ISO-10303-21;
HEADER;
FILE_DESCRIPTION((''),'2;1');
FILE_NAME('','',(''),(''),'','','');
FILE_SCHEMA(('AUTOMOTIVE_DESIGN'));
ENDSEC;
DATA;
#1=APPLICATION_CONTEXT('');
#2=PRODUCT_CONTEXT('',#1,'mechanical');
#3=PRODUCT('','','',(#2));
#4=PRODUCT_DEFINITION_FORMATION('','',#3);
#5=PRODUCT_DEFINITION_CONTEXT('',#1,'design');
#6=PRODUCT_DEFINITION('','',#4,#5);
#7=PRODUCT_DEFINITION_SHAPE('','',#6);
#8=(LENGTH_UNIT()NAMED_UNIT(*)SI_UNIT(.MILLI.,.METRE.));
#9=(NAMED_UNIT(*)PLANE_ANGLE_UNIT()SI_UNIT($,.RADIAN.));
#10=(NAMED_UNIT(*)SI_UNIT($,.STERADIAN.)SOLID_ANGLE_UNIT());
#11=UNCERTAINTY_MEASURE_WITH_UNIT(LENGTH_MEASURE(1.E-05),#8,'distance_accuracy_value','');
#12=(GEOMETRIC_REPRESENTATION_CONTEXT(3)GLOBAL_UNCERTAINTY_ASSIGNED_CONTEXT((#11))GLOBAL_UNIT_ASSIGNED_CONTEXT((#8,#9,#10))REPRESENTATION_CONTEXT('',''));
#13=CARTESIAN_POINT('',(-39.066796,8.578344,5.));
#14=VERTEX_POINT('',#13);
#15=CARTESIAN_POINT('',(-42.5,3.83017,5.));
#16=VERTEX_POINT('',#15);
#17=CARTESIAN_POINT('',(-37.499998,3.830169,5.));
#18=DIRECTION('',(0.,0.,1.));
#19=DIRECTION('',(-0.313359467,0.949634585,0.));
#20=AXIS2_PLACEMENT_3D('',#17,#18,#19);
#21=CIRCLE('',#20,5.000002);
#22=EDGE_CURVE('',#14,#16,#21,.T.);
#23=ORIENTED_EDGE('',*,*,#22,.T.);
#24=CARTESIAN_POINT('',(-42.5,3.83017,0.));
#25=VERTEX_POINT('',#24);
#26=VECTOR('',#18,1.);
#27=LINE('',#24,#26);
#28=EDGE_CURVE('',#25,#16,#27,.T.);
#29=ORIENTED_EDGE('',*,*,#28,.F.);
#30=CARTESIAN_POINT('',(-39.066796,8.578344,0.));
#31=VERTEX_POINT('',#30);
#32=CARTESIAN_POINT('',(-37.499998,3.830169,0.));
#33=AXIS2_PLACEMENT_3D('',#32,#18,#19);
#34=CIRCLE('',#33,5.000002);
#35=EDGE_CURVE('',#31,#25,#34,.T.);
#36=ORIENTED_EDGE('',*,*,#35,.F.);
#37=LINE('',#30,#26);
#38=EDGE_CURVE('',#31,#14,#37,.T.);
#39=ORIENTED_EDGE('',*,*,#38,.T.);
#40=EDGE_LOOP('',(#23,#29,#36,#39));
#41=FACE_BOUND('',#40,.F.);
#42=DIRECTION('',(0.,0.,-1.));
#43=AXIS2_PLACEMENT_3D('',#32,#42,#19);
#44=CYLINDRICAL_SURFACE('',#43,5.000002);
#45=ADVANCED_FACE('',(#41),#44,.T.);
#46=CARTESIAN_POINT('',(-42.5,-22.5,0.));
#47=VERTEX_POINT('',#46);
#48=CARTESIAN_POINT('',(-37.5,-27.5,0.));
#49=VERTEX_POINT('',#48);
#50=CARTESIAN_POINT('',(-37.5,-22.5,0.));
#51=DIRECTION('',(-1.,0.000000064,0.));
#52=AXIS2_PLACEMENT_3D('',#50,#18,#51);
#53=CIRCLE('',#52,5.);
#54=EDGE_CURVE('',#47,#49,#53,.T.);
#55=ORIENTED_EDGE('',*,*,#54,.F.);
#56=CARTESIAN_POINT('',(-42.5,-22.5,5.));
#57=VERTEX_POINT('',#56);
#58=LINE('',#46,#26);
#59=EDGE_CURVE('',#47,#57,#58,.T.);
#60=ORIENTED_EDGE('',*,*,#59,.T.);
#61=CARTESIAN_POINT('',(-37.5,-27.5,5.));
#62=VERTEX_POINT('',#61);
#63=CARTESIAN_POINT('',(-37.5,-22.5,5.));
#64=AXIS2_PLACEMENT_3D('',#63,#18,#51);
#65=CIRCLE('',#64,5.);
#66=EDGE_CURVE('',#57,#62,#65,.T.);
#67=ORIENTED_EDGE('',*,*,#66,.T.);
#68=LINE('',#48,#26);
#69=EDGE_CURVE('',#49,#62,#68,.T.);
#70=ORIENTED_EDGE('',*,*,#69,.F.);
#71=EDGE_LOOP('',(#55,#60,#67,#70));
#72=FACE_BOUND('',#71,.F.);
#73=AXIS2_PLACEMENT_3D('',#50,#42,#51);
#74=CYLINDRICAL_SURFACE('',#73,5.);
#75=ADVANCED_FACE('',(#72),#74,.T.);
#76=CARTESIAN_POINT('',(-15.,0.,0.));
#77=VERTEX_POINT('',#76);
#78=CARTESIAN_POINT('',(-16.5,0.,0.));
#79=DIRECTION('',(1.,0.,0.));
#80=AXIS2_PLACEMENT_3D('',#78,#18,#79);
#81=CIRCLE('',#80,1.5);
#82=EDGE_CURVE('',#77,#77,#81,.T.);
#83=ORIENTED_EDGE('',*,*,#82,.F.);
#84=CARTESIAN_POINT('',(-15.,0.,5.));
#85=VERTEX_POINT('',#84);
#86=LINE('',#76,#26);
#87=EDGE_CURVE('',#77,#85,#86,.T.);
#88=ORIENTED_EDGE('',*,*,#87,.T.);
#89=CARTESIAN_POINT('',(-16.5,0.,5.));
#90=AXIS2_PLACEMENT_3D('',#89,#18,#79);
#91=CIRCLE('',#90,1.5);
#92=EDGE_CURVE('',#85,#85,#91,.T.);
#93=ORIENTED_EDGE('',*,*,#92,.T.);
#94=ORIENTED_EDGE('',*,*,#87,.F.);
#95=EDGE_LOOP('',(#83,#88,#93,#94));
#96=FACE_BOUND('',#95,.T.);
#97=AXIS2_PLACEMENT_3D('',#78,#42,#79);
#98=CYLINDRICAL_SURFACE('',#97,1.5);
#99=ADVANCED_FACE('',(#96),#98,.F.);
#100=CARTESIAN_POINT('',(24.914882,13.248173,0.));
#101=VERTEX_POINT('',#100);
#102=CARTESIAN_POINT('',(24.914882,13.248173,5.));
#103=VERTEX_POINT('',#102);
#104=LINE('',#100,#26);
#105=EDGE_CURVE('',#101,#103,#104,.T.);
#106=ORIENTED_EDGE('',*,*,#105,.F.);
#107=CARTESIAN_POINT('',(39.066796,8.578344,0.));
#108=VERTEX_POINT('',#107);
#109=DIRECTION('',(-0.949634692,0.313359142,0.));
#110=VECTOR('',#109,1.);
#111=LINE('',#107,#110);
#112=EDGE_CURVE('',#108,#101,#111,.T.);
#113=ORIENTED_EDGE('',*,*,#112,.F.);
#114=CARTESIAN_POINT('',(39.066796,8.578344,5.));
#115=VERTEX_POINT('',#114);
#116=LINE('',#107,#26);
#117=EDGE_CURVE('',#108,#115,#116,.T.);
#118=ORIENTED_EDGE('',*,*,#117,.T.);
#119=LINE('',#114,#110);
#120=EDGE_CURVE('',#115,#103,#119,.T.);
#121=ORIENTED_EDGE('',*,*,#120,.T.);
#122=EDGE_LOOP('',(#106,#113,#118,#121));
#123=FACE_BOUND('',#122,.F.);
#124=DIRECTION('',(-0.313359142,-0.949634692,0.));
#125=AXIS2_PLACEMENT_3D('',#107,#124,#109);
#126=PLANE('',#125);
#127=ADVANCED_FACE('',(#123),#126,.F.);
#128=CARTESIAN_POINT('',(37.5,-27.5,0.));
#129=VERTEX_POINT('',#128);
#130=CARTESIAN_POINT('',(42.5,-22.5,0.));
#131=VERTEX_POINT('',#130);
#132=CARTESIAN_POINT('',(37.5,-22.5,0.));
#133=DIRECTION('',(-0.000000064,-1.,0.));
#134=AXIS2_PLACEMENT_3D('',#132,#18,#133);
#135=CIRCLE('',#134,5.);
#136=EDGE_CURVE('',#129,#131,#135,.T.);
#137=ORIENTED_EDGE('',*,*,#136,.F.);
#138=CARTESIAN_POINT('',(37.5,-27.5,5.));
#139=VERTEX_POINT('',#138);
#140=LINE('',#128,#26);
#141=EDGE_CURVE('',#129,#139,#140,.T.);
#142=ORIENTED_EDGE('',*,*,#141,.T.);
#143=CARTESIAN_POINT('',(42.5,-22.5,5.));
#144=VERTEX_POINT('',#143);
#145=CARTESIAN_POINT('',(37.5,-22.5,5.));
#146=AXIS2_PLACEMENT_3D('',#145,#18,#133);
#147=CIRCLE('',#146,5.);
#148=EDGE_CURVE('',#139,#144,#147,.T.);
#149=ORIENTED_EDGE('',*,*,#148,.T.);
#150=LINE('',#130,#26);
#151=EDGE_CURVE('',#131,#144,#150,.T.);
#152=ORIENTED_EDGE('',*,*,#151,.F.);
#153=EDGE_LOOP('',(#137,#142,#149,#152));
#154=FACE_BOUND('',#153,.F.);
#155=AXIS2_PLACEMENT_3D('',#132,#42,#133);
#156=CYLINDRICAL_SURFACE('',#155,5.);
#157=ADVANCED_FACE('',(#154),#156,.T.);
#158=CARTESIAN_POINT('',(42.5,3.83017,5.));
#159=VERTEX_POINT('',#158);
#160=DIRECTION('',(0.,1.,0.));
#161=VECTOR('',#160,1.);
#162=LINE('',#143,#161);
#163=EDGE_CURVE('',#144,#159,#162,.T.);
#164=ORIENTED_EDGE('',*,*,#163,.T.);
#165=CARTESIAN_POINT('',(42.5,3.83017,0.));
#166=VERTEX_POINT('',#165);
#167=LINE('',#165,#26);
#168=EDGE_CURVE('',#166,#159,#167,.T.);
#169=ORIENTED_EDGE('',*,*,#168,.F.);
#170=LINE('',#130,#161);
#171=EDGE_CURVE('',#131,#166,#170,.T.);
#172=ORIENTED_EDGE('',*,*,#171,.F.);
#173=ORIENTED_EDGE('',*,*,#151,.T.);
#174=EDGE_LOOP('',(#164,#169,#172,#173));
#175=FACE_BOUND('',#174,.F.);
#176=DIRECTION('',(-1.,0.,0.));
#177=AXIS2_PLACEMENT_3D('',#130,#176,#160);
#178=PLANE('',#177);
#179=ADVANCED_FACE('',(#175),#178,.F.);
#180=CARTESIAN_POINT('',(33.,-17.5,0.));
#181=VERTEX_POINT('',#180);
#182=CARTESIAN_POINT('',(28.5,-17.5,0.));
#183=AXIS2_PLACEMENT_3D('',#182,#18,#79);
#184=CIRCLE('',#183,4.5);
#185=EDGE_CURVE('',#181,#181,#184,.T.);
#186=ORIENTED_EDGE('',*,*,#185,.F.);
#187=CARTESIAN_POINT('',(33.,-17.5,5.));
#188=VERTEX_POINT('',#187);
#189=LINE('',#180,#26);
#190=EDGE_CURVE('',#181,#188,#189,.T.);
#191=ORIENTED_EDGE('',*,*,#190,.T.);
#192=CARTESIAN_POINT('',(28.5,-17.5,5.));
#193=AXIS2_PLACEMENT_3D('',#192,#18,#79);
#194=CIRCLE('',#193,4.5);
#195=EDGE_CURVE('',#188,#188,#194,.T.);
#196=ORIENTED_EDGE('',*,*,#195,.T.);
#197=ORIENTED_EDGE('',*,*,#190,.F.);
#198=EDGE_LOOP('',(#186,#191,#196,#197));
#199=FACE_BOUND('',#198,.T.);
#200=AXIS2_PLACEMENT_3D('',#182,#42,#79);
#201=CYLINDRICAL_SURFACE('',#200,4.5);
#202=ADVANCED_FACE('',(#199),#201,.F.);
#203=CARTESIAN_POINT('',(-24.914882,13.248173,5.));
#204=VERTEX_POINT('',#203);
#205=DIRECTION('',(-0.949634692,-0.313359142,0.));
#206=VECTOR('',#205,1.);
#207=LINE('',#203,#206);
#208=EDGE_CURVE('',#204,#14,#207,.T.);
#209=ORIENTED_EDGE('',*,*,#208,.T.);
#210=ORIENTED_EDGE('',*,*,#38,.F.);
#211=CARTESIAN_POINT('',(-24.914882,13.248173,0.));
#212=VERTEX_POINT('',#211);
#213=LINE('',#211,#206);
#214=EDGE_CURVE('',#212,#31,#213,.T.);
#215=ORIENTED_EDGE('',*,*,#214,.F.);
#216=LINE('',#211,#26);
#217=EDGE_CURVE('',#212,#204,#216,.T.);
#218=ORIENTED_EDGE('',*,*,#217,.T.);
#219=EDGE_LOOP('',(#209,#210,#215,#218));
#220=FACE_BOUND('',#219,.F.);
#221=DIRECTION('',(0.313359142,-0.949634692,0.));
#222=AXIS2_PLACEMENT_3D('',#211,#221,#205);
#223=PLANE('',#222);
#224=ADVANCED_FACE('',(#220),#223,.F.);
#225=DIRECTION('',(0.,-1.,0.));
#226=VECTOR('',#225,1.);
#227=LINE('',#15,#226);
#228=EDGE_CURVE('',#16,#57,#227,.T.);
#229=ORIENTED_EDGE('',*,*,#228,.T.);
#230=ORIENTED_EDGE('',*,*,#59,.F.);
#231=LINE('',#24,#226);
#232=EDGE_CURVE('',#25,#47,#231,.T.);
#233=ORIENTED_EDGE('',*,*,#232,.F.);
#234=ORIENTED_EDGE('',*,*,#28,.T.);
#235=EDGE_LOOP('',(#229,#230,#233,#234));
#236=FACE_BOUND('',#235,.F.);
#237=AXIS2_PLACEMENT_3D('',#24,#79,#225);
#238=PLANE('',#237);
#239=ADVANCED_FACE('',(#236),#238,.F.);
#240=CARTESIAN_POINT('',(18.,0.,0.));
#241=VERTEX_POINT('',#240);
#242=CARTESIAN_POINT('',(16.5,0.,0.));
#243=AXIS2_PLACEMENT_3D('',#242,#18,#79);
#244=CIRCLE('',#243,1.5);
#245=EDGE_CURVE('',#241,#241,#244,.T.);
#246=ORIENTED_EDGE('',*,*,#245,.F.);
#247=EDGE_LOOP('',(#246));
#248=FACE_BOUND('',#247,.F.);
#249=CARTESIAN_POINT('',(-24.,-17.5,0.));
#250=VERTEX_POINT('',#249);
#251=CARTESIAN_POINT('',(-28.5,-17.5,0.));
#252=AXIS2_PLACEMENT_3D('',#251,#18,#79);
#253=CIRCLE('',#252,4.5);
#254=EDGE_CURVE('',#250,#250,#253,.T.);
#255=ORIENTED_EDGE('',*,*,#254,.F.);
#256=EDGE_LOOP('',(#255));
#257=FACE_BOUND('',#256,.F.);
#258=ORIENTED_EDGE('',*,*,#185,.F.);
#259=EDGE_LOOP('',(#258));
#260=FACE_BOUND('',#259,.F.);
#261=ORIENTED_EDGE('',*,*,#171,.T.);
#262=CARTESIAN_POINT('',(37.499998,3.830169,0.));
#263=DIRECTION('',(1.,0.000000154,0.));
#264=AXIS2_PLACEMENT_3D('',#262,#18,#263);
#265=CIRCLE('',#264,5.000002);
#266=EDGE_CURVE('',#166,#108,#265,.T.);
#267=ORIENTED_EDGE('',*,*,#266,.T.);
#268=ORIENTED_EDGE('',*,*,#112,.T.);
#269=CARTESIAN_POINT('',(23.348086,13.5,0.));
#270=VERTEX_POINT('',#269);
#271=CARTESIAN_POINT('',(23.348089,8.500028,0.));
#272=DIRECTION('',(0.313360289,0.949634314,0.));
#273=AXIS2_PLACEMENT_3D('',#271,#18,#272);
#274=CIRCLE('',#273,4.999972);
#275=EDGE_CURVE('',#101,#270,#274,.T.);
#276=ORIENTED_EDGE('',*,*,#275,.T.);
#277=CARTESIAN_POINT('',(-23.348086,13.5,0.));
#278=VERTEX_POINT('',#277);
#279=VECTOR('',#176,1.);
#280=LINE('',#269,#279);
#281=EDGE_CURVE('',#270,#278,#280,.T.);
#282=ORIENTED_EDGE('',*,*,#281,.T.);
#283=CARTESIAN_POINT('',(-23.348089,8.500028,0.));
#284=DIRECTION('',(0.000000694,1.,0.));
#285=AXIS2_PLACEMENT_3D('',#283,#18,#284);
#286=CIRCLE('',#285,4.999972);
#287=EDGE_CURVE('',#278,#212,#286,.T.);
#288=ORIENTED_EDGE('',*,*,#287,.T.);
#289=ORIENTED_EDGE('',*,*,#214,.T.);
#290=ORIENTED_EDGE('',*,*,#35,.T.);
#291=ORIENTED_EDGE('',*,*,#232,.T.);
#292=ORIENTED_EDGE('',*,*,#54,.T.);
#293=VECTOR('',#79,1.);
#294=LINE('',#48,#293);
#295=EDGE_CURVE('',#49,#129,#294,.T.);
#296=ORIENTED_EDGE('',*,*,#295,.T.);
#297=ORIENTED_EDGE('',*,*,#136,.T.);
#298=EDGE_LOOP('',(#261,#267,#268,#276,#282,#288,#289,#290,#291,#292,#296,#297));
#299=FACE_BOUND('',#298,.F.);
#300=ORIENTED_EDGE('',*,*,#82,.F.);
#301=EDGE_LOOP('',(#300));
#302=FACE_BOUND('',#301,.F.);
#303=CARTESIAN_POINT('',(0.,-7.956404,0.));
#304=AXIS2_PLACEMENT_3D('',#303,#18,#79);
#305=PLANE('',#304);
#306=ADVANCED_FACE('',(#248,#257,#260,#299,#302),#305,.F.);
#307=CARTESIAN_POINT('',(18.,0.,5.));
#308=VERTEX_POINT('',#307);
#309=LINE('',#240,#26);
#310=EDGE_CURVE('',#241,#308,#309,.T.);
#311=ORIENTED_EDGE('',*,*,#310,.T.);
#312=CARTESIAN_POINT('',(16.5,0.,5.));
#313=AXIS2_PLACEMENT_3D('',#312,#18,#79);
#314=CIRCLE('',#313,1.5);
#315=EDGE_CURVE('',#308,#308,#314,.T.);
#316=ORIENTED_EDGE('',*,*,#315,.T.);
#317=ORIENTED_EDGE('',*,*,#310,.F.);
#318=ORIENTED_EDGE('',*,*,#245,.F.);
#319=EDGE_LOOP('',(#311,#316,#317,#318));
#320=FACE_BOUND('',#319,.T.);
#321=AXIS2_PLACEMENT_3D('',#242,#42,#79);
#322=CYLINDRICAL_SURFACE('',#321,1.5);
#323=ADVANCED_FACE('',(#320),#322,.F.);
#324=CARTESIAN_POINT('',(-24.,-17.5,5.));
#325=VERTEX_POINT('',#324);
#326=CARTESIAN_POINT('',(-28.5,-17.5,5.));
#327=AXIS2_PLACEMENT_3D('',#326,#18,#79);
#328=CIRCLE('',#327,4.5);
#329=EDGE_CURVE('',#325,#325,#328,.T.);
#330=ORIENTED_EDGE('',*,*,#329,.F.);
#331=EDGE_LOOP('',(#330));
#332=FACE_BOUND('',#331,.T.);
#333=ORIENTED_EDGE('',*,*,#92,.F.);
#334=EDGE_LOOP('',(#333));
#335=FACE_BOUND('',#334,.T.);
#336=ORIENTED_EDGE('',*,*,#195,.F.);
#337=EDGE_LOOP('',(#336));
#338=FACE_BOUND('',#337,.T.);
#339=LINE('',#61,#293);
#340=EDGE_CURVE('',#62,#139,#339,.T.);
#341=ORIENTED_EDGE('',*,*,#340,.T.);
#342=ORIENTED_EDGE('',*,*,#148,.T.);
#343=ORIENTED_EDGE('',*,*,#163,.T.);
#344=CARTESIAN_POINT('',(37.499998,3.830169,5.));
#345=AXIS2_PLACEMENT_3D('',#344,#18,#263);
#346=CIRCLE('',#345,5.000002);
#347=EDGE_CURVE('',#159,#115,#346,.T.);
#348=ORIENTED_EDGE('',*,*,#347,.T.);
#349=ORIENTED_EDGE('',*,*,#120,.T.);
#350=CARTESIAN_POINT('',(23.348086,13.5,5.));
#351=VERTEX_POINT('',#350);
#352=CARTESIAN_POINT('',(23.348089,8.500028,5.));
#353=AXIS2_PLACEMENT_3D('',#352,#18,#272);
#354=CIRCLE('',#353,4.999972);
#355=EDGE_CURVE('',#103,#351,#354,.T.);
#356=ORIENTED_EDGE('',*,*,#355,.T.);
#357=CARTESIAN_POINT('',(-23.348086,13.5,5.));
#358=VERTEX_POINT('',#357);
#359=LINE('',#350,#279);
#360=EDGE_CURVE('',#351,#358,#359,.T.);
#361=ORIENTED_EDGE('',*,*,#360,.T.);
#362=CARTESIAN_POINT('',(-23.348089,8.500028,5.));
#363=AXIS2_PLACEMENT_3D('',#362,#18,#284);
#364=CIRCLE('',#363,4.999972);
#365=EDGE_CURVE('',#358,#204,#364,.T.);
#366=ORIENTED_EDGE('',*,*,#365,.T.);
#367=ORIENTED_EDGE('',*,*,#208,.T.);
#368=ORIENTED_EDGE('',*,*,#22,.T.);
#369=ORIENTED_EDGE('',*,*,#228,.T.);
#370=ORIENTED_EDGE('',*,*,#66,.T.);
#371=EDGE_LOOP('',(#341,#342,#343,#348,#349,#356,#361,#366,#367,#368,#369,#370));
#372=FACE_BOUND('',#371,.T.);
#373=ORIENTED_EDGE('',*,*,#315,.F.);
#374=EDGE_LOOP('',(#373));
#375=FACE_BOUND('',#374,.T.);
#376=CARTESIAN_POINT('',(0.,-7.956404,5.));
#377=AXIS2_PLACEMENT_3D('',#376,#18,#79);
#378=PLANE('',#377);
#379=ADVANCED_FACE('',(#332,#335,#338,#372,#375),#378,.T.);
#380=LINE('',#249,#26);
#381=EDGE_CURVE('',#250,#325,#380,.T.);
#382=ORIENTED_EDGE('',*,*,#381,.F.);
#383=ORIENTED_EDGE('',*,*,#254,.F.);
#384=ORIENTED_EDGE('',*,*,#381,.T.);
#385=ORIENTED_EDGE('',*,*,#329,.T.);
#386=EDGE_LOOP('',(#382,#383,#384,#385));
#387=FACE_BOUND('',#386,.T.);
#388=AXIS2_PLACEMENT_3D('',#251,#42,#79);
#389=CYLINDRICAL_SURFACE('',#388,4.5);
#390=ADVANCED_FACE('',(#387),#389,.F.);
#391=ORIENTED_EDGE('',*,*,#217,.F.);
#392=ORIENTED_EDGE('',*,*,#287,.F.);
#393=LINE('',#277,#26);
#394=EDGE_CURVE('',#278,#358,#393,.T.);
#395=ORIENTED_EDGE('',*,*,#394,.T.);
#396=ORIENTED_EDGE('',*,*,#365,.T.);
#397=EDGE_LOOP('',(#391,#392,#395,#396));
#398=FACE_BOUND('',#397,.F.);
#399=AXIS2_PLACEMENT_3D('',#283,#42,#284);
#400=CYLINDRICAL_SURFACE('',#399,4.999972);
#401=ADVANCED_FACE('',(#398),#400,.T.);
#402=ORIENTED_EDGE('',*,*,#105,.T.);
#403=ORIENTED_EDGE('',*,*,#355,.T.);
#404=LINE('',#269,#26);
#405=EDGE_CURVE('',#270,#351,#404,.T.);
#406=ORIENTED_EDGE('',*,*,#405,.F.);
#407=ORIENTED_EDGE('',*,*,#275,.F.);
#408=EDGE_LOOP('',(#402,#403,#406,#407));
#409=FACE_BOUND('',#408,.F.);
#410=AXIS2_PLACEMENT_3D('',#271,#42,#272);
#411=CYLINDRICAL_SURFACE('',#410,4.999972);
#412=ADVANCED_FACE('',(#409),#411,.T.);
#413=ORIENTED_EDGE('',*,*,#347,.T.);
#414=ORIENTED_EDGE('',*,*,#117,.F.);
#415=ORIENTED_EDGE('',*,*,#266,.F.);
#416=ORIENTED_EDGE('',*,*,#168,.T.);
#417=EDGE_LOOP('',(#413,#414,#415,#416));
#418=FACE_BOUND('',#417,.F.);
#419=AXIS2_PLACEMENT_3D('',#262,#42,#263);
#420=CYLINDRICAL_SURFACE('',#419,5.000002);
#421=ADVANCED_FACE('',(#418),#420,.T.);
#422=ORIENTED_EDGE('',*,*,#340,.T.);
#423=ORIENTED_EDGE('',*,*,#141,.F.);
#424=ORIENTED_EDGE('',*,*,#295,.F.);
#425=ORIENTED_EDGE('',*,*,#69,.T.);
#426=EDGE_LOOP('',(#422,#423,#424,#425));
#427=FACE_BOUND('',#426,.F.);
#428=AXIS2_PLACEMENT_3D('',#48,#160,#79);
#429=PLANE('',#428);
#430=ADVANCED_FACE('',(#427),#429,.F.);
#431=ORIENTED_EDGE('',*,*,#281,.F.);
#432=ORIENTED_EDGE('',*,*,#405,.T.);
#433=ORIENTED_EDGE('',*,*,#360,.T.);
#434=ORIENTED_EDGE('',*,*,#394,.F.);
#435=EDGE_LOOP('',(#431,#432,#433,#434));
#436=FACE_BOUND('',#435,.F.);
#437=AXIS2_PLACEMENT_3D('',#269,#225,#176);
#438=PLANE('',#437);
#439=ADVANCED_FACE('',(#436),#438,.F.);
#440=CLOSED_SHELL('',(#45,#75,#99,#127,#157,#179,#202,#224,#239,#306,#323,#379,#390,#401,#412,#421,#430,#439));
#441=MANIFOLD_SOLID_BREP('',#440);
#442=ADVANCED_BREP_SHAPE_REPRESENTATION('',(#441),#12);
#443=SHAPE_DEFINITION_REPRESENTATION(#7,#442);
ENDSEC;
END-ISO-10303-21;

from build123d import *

# Parameters (mm, degrees)
F0_R     = 4.5
F0_R_2   = 1.5
F1_DEPTH = 5


with BuildPart() as f1:
    # F0 (on Top) → F1 (new body)
    with BuildSketch(Plane.XY):
        with BuildLine():
            Line((-37.5, -27.5), (37.5, -27.5))
            ThreePointArc((37.5, -27.5), (41.035534, -26.035534), (42.5, -22.5))
            Line((42.5, -22.5), (42.5, 3.83017))
            ThreePointArc((42.5, 3.83017), (41.551788, 6.759848), (39.066796, 8.578344))
            Line((39.066796, 8.578344), (24.914882, 13.248173))
            ThreePointArc((24.914882, 13.248173), (24.141539, 13.436642), (23.348086, 13.5))
            Line((23.348086, 13.5), (0, 13.5))
            Line((0, 13.5), (-23.348086, 13.5))
            ThreePointArc((-23.348086, 13.5), (-24.141539, 13.436642), (-24.914882, 13.248173))
            Line((-24.914882, 13.248173), (-39.066796, 8.578344))
            ThreePointArc((-39.066796, 8.578344), (-41.551788, 6.759848), (-42.5, 3.83017))
            Line((-42.5, 3.83017), (-42.5, -22.5))
            ThreePointArc((-42.5, -22.5), (-41.035534, -26.035534), (-37.5, -27.5))
        make_face()
        with Locations((-28.5, -17.5)):
            Circle(F0_R, mode=Mode.SUBTRACT)
        with Locations((28.5, -17.5)):
            Circle(F0_R, mode=Mode.SUBTRACT)
        with Locations((-16.5, 0)):
            Circle(F0_R_2, mode=Mode.SUBTRACT)
        with Locations((16.5, 0)):
            Circle(F0_R_2, mode=Mode.SUBTRACT)
    extrude(amount=F1_DEPTH)


solid = f1.part
